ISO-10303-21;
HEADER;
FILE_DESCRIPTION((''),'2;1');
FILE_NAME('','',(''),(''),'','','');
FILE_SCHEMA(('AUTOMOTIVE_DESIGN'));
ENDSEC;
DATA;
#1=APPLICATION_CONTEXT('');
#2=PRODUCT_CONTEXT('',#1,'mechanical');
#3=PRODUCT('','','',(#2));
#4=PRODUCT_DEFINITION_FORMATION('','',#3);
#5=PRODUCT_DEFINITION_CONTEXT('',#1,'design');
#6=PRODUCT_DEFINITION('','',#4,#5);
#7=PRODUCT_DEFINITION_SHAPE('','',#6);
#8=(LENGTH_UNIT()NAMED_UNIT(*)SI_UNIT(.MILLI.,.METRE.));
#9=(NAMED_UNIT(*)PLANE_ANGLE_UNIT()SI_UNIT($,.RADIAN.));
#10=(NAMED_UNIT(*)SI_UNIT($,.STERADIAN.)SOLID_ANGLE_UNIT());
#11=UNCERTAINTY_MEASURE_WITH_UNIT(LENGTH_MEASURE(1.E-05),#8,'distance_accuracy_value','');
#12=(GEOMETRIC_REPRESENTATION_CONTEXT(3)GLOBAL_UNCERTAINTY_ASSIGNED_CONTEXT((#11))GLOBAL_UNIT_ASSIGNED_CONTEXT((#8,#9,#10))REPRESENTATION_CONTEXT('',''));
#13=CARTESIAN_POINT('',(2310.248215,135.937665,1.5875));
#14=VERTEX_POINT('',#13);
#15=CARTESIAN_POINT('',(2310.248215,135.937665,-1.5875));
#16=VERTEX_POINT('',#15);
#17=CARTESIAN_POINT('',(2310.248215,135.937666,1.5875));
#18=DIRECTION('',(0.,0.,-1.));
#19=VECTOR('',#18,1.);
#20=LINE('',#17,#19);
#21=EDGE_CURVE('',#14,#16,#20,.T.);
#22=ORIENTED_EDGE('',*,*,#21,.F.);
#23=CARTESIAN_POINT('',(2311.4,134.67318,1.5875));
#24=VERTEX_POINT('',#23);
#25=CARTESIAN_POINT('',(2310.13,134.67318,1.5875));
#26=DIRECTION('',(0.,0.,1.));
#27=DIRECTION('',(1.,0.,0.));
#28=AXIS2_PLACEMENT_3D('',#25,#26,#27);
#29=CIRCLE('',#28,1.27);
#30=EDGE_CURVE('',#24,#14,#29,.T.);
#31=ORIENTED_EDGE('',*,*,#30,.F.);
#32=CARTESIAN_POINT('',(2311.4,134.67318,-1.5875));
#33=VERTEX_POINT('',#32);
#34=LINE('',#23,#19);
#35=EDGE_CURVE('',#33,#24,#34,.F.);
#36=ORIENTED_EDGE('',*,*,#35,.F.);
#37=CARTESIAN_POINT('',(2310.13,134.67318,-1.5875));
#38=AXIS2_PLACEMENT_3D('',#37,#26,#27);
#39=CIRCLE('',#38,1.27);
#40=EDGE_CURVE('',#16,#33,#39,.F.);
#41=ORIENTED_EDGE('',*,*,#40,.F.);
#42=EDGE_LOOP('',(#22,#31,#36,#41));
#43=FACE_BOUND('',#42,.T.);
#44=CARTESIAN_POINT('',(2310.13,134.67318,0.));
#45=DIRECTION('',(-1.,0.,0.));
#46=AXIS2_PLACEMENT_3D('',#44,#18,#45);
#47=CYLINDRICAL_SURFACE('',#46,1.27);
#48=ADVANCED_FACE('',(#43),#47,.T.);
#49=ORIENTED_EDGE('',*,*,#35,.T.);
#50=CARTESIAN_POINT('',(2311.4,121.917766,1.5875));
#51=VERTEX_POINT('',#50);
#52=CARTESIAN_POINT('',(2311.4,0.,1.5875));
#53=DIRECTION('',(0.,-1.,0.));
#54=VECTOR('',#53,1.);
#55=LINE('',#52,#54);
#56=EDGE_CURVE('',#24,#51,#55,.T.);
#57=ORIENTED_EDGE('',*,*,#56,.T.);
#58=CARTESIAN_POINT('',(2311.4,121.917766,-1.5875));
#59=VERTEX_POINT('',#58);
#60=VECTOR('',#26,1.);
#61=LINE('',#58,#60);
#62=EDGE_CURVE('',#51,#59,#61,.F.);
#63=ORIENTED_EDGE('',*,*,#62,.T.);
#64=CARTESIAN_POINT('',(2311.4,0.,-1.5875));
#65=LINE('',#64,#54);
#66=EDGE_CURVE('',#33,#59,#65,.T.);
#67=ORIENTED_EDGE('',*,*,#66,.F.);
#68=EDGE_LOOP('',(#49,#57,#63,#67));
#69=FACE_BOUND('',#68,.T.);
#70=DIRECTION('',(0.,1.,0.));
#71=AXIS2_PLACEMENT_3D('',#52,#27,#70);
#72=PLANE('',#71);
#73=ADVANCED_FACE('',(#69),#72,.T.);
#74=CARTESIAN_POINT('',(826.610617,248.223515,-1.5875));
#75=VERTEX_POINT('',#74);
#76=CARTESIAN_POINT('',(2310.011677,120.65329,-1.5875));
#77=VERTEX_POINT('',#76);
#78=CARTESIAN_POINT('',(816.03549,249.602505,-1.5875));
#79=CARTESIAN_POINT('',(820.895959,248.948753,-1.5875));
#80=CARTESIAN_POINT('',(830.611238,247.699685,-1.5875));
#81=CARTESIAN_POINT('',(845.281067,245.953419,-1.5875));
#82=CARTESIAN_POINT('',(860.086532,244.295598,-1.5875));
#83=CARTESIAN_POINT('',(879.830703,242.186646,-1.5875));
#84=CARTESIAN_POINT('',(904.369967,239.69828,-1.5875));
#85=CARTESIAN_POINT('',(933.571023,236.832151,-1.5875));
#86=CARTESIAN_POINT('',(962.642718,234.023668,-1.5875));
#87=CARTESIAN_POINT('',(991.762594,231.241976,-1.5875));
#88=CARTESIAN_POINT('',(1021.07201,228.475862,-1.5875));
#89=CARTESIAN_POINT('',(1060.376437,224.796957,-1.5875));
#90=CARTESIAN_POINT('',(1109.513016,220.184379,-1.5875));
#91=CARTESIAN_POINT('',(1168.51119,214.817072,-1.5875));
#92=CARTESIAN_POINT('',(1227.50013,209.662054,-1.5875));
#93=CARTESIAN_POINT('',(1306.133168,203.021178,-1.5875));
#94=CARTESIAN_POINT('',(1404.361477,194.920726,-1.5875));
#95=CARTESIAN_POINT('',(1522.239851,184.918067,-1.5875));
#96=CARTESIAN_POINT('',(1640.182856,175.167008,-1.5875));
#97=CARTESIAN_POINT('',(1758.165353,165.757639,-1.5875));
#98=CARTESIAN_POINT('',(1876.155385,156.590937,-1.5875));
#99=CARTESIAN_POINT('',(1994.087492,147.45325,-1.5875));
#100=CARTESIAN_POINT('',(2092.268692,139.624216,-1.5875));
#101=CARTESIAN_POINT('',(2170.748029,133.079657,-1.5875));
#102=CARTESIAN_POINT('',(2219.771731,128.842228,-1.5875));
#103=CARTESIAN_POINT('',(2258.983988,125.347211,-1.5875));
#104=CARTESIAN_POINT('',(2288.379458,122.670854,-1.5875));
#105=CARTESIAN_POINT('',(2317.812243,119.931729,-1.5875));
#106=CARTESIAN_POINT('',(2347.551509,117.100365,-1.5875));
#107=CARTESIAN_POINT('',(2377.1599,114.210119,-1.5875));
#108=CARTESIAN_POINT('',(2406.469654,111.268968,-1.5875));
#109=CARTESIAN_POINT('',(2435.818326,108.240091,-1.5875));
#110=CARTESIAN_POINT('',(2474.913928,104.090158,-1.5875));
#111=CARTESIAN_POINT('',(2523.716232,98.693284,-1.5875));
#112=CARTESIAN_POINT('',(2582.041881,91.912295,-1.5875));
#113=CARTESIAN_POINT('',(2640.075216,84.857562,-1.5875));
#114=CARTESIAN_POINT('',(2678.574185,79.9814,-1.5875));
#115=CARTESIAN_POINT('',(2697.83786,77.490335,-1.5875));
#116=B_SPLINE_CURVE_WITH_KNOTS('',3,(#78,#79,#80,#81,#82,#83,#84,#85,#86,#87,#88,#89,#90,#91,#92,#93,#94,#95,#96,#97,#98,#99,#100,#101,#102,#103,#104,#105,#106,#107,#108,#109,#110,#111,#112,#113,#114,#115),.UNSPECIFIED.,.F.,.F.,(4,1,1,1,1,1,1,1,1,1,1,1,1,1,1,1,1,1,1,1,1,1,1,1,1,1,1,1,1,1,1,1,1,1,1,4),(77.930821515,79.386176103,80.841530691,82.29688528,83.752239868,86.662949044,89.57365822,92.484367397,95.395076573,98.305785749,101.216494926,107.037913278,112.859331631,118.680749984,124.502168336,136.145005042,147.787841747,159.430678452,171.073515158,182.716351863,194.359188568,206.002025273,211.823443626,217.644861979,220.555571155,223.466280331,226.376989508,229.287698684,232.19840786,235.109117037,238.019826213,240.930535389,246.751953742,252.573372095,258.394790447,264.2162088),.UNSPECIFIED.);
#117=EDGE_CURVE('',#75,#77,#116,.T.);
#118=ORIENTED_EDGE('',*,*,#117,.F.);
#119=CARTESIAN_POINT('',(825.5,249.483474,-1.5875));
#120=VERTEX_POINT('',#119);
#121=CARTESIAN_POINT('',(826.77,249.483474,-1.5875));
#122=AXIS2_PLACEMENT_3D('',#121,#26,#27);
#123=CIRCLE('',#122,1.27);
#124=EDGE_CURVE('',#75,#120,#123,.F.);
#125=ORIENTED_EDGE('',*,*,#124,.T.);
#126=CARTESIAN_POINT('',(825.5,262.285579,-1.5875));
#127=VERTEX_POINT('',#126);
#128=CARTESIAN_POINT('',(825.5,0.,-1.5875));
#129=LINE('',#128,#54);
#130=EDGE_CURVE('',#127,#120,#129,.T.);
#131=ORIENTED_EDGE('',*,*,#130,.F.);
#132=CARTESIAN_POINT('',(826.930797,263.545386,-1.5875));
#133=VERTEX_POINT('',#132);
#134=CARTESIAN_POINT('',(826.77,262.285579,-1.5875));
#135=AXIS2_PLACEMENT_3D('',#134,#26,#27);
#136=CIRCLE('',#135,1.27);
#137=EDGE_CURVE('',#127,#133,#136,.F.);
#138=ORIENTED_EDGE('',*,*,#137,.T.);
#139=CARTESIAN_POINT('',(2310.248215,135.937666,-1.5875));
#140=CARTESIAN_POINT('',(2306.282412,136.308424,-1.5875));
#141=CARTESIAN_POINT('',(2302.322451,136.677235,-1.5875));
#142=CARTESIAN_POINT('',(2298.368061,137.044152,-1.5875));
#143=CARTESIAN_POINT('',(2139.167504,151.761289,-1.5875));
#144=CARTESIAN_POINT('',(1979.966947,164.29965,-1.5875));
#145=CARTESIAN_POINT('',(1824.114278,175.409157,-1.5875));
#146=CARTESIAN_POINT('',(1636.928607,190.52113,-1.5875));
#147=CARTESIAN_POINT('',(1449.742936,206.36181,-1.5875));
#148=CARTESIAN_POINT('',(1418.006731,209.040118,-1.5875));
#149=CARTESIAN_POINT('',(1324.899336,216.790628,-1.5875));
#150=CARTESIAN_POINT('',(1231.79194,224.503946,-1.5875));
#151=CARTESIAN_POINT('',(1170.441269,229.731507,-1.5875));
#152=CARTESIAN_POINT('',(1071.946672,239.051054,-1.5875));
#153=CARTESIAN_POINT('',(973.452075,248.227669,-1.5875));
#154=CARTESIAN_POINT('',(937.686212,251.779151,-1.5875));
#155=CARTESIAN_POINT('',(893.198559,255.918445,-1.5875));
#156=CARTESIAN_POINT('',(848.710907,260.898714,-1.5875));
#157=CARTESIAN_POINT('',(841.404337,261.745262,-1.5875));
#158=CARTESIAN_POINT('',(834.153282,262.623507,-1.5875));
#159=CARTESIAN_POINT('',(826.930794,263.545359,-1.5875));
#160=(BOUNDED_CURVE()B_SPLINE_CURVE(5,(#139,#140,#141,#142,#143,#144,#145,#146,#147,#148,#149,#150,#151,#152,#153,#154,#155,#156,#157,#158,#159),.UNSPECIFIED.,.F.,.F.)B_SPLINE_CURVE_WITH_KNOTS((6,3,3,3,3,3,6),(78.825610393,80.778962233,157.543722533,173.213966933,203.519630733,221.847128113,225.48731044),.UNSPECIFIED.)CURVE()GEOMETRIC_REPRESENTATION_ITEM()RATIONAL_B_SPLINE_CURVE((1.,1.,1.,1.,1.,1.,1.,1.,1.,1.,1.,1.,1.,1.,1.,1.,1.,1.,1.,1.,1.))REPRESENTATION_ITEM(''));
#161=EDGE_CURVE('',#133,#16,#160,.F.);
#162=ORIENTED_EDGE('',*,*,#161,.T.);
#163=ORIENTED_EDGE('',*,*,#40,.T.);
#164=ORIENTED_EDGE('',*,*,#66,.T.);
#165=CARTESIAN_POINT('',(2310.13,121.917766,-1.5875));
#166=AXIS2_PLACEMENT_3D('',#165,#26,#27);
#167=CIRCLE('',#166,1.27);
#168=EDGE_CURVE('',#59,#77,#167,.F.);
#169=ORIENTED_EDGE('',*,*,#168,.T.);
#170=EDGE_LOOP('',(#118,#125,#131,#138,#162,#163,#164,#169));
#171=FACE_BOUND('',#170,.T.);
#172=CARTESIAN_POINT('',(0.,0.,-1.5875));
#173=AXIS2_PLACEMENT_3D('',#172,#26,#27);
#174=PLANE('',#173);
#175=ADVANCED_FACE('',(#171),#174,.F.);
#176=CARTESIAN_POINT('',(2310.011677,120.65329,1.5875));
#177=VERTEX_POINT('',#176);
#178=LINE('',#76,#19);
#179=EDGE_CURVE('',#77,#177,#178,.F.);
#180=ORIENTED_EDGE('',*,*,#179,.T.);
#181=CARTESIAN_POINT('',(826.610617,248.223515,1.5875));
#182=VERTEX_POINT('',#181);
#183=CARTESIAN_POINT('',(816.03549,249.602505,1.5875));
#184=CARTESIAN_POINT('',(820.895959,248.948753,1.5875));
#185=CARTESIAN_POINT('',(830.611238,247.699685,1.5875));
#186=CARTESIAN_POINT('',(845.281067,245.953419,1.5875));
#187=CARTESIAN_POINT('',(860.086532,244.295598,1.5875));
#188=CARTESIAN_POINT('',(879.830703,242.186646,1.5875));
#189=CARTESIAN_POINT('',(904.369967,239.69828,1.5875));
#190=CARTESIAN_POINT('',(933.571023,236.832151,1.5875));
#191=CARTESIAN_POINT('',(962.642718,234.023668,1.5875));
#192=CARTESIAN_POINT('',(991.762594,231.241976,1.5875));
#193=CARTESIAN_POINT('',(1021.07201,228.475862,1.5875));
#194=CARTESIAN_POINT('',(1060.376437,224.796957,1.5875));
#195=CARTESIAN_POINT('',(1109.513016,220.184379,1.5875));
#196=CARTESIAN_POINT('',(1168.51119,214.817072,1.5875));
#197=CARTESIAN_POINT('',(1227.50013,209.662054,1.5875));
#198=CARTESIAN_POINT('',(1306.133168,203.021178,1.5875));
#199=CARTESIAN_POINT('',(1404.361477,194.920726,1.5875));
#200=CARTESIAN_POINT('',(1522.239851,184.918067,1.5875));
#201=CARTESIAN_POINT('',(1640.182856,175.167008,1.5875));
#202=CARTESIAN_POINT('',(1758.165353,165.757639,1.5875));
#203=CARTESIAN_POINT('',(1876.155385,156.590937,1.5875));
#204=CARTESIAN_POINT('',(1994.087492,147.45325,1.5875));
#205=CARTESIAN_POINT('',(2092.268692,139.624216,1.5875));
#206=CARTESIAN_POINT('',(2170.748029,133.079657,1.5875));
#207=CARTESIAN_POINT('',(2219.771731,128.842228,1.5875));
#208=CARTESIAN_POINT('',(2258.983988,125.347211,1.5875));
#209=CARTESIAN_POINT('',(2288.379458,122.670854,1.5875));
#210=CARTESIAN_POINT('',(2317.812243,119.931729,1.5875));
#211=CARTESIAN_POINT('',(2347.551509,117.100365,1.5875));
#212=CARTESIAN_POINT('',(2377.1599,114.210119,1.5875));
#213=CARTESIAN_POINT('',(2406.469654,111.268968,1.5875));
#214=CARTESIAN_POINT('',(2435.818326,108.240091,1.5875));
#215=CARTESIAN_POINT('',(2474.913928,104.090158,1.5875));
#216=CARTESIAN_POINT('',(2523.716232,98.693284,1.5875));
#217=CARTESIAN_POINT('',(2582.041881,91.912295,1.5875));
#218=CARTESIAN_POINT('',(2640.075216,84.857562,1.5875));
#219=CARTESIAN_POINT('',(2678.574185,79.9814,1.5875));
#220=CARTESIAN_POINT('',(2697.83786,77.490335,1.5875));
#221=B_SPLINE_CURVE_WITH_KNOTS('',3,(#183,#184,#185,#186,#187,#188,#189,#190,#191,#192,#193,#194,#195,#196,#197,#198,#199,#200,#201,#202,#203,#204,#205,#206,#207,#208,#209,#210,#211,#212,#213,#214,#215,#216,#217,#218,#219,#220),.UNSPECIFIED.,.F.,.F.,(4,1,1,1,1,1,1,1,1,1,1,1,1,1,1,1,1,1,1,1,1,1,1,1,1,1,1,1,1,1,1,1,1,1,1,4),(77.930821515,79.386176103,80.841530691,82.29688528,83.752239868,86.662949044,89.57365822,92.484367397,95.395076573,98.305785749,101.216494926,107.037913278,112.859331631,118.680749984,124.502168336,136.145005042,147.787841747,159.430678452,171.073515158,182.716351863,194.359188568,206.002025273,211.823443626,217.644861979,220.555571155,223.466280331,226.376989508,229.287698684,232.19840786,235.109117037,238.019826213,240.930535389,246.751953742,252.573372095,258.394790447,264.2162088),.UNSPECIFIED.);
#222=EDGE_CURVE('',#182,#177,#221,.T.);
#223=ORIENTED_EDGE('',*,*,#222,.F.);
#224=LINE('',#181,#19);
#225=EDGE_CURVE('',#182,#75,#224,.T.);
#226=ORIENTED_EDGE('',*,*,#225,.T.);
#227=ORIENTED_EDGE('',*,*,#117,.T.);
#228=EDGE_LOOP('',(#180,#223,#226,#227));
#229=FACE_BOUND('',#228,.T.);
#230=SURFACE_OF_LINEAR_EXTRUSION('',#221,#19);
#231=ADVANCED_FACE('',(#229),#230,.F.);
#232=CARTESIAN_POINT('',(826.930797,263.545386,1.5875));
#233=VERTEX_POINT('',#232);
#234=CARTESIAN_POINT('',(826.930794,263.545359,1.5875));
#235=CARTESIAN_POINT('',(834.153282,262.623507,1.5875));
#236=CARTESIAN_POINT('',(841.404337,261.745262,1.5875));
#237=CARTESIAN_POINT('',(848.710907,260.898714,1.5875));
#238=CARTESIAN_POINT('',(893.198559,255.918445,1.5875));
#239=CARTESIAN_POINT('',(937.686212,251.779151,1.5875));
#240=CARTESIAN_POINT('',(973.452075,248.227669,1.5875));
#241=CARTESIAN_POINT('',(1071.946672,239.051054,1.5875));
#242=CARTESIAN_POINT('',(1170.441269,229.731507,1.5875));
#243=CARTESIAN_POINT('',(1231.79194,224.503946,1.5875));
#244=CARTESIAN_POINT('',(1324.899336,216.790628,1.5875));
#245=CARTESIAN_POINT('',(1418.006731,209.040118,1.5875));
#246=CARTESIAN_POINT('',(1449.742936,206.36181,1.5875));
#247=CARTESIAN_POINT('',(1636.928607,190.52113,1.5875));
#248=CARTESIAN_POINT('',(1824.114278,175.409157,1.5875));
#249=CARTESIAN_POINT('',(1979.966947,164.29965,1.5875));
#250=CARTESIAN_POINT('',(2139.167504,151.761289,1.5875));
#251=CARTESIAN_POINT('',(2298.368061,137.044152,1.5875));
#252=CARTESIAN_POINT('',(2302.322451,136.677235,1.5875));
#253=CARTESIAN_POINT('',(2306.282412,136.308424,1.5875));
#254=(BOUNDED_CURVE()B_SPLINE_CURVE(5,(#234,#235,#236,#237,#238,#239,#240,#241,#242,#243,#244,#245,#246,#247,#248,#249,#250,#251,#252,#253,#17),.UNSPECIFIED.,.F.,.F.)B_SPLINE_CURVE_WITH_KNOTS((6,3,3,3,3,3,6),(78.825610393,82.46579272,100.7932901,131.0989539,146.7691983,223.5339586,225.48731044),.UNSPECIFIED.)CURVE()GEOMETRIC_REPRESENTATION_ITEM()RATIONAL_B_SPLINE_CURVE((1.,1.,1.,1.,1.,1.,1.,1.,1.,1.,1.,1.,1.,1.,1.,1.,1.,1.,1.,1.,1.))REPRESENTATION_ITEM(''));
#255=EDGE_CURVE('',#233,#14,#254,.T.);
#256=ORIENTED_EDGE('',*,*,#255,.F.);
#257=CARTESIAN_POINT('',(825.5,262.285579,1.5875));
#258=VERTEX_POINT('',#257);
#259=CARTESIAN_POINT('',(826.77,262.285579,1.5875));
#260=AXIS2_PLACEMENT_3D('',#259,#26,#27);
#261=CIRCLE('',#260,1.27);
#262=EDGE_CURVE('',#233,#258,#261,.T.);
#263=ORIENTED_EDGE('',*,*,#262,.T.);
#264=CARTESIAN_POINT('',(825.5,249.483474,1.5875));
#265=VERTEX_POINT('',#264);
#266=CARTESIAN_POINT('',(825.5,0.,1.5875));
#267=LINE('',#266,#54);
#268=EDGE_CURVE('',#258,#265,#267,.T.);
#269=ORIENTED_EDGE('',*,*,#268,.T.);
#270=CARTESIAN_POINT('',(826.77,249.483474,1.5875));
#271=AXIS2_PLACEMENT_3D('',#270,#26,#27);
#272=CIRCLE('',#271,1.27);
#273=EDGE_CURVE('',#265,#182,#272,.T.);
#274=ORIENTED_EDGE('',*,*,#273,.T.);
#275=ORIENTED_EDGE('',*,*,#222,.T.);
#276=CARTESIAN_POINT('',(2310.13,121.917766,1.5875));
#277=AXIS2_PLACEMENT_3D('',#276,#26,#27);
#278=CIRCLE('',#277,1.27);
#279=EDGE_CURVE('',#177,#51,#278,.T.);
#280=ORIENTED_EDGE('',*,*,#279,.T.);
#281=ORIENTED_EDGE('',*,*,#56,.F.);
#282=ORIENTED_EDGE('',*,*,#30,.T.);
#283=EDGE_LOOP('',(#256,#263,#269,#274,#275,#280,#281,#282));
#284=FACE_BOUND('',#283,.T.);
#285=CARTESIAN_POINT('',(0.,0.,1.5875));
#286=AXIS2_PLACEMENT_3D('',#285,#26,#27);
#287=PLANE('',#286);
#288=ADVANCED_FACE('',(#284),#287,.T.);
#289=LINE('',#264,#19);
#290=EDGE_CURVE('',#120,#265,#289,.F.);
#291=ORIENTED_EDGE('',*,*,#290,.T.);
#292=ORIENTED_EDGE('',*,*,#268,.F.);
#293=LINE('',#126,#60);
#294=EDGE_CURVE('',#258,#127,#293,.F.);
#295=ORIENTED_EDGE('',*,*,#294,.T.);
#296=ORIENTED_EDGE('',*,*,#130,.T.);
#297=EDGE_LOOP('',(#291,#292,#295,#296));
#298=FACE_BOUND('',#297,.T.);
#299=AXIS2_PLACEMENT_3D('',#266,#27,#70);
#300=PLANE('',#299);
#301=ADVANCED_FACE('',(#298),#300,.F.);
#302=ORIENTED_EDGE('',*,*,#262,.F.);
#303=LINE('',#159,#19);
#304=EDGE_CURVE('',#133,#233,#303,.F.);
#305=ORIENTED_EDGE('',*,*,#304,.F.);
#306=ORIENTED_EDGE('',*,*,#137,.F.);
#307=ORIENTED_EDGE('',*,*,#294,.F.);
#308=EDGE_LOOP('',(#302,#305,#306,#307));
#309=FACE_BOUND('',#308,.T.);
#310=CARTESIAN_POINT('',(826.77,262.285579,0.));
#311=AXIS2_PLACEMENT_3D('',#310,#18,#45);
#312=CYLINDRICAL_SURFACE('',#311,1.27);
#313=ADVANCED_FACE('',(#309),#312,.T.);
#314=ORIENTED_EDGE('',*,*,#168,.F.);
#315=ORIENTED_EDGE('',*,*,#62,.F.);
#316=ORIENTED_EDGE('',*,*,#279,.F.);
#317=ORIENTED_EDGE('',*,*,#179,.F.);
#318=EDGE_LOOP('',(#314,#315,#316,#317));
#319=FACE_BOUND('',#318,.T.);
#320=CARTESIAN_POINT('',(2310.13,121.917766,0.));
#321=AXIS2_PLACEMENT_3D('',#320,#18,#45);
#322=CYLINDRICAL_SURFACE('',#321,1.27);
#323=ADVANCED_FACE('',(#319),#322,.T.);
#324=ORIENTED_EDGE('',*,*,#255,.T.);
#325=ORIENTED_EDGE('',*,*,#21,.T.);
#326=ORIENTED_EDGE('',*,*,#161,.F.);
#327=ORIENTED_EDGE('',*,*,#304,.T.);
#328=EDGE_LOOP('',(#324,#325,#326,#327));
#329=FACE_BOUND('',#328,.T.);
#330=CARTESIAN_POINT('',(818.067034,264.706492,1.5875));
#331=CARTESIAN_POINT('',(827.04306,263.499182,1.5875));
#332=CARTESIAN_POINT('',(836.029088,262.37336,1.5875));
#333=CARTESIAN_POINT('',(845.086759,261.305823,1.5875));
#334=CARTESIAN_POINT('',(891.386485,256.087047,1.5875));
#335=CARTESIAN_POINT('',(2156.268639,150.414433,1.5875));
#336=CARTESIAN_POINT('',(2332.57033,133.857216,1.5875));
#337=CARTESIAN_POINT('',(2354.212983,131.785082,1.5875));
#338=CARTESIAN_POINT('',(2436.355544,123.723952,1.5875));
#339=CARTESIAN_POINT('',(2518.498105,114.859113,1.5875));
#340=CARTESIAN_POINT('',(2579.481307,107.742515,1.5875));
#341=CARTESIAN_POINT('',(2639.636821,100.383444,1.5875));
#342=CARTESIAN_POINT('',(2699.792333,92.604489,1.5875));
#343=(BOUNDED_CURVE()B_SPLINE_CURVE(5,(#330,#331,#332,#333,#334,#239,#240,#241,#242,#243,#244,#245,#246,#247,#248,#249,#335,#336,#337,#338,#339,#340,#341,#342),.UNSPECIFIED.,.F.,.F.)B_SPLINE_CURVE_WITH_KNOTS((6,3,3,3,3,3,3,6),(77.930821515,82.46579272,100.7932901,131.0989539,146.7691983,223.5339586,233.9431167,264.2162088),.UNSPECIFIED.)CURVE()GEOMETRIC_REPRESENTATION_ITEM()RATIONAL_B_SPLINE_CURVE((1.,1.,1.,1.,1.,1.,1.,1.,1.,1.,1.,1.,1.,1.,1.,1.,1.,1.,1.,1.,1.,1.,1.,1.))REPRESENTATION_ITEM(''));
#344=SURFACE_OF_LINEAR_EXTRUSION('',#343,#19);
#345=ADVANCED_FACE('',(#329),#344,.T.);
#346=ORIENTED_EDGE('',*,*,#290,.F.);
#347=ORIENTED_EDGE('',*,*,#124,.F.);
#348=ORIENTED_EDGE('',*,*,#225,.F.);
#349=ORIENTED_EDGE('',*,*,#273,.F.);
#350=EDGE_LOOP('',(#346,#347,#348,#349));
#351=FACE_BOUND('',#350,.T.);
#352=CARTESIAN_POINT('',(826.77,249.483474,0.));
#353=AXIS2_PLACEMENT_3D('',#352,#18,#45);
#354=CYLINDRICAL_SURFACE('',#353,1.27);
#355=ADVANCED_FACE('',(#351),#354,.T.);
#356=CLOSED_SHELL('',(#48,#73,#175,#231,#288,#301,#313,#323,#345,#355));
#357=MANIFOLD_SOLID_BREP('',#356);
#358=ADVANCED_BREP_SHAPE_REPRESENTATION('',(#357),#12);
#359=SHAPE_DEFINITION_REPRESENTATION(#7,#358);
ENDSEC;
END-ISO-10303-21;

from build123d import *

# Parameters (mm, degrees)
BOSS_EXTRUDE1_DEPTH = 1.5875
FILLET1_R           = 1.27


with BuildPart() as part:
    # Sketch2 → Boss-Extrude1 (new body, symmetric)
    with BuildSketch(Plane.XY):
        with BuildLine():
            add(Edge.make_bspline(
                [(825.5, 263.72872798), (833.004293944, 262.763036085), (840.535916247, 261.846014478), (848.126574562, 260.964164828), (892.90639318, 255.945629274), (937.686211733, 251.779150949), (973.452075064, 248.227669425), (1071.946672141, 239.051054038), (1170.441269319, 229.731506738), (1231.791940344, 224.503945813), (1324.899336146, 216.790627817), (1418.006730935, 209.040117978), (1449.742935921, 206.361809936), (1636.928606778, 190.521130342), (1824.114277635, 175.409157235), (1979.966947376, 164.299650253), (2139.396932204, 151.743219852), (2298.826916202, 137.00172879), (2303.011455291, 136.613290392), (2307.202438398, 136.22270903), (2311.4, 135.829939705)],
                knots=[78.681340958, 78.681340958, 78.681340958, 78.681340958, 78.681340958, 78.681340958, 82.46579272, 82.46579272, 82.46579272, 100.7932901, 100.7932901, 100.7932901, 131.0989539, 131.0989539, 131.0989539, 146.7691983, 146.7691983, 146.7691983, 223.5339586, 223.5339586, 223.5339586, 225.60075304, 225.60075304, 225.60075304, 225.60075304, 225.60075304, 225.60075304], degree=5))
            Line((825.5, 263.72872798), (825.5, 248.364439806))
            add(Edge.make_bspline(
                [(825.5, 248.364439806), (827.20768691, 248.14708351), (833.784664511, 247.321927102), (845.28106727, 245.953419483), (860.086531547, 244.295598067), (879.830703434, 242.186646028), (904.369967092, 239.698279806), (933.571022669, 236.832150625), (962.642718041, 234.023667741), (991.762593943, 231.241975908), (1021.072010315, 228.475862291), (1060.376437315, 224.796956681), (1109.513015577, 220.184378862), (1168.511190361, 214.817071985), (1227.500129793, 209.662054042), (1306.133167947, 203.021178328), (1404.361477105, 194.920725932), (1522.239851071, 184.918066624), (1640.182856491, 175.167007786), (1758.165352567, 165.757639485), (1876.155384769, 156.590937079), (1994.08749188, 147.453250142), (2092.268692061, 139.624216053), (2170.748029042, 133.079656729), (2219.771730977, 128.842227836), (2258.983988247, 125.347211495), (2286.236620906, 122.865952448), (2303.710498295, 121.243617864), (2311.4, 120.523308441)],
                knots=[78.875303138, 78.875303138, 78.875303138, 78.875303138, 79.386176103, 80.841530691, 82.29688528, 83.752239868, 86.662949044, 89.57365822, 92.484367397, 95.395076573, 98.305785749, 101.216494926, 107.037913278, 112.859331631, 118.680749984, 124.502168336, 136.145005042, 147.787841747, 159.430678452, 171.073515158, 182.716351863, 194.359188568, 206.002025273, 211.823443626, 217.644861979, 220.555571155, 223.466280331, 225.740445061, 225.740445061, 225.740445061, 225.740445061], degree=3))
            Line((2311.4, 120.523308441), (2311.4, 135.829939705))
        make_face()
    extrude(amount=BOSS_EXTRUDE1_DEPTH, both=True)

    # Fillet1
    fillet1_edges = [part.edges().sort_by_distance(p)[0] for p in [
        (2311.4, 120.523308441, -0.79375),
        (2311.4, 135.829939705, -0.79375),
        (825.5, 248.364439806, -0.79375),
        (825.5, 263.72872798, 0.79375),
    ]]
    fillet(fillet1_edges, radius=FILLET1_R)


solid = part.part
